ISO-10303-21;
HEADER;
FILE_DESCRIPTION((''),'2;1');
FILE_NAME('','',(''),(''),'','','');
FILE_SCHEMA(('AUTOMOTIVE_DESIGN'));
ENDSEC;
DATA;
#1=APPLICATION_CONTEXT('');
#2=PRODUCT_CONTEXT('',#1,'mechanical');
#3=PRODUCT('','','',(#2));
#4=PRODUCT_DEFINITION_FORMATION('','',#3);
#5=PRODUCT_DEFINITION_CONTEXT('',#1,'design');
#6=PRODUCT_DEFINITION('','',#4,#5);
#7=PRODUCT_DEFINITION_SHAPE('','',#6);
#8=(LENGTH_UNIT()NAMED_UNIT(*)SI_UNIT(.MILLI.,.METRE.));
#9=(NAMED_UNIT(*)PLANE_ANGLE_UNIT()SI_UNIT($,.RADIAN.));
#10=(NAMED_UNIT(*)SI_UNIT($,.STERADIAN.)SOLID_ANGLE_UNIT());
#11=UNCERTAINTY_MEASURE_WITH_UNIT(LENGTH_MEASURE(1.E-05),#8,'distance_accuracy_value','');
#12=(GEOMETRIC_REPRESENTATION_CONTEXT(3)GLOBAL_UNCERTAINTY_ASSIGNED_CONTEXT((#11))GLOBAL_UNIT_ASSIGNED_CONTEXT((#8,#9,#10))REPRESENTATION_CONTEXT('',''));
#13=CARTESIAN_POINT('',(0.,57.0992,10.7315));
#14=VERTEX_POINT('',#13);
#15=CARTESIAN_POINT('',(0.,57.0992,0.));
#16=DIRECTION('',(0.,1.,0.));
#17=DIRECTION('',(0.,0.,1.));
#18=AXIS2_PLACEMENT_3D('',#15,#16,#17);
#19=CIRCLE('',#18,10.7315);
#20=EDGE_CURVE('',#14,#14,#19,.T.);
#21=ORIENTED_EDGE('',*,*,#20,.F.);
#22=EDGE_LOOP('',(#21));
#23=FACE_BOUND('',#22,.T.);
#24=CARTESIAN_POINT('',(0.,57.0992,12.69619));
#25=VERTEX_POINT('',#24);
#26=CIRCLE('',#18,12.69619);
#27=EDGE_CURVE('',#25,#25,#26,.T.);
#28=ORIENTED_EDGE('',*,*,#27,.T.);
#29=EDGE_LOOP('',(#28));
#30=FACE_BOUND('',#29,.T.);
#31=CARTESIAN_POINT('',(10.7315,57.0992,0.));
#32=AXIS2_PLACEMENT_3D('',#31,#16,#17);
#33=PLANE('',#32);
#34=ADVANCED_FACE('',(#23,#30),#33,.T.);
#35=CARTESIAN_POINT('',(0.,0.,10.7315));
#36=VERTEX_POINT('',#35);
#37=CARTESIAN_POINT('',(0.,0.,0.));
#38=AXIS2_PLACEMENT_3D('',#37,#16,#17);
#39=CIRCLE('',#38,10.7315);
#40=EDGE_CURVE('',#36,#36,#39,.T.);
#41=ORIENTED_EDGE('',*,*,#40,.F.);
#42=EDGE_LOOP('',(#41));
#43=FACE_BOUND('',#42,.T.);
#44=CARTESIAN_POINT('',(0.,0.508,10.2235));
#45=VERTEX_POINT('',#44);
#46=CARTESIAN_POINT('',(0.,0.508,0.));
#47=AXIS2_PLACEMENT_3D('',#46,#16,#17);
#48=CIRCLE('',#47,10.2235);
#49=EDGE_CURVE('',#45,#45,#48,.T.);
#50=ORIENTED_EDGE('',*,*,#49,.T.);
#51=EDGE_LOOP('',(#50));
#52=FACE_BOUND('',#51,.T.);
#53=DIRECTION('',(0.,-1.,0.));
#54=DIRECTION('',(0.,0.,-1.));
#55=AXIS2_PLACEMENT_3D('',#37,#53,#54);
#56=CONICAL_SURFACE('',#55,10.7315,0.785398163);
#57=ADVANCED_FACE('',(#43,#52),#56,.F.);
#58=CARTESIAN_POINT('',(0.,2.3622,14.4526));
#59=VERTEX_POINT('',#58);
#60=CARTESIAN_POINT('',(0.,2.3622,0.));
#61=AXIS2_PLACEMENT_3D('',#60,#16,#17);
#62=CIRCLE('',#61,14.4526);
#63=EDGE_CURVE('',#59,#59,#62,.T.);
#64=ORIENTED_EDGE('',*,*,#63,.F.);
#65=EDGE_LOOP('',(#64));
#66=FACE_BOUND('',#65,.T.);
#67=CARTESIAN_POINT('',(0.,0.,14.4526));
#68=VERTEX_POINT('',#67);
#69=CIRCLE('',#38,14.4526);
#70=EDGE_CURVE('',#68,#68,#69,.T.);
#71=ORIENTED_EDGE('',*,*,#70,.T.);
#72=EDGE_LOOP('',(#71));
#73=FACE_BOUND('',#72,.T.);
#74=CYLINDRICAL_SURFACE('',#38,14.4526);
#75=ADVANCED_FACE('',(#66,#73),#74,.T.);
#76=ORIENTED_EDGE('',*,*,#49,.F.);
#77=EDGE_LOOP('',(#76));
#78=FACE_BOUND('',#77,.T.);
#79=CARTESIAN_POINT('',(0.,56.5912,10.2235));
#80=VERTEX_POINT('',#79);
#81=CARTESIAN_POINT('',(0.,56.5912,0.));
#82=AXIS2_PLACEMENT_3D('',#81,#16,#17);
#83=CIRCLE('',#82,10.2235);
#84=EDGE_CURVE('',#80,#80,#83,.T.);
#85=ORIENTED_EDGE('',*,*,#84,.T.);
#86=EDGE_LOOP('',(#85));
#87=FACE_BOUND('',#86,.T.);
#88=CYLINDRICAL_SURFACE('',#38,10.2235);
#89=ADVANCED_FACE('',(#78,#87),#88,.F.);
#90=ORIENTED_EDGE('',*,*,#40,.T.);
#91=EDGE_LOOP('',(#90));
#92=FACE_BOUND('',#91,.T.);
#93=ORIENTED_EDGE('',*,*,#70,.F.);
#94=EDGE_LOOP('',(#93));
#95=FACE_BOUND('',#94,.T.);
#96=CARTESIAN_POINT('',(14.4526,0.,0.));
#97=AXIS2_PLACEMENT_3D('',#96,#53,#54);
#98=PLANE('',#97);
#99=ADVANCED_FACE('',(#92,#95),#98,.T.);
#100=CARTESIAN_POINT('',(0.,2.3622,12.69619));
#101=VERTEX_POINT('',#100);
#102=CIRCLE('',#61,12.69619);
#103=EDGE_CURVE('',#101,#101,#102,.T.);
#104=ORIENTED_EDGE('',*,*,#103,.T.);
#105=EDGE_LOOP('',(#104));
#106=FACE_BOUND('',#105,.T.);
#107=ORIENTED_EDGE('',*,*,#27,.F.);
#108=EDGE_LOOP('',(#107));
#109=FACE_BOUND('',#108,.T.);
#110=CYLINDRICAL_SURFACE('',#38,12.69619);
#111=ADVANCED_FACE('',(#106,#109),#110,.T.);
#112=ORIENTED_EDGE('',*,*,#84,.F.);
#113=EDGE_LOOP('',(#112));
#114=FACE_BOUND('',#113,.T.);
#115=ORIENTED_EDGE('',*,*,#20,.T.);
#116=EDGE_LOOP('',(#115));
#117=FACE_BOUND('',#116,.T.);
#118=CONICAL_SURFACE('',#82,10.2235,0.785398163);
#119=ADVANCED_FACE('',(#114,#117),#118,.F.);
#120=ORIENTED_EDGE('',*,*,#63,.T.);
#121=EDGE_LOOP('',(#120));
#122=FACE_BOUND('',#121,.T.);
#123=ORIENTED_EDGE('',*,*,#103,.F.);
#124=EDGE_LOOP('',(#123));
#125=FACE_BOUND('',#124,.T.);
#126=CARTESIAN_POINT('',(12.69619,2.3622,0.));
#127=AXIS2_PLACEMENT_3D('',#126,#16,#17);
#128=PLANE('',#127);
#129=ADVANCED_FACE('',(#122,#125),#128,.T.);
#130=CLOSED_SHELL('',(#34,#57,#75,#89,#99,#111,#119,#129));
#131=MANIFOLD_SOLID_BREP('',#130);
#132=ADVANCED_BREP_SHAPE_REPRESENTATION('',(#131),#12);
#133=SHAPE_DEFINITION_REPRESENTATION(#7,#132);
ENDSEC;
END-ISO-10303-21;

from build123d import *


with BuildPart() as part:
    # Sketch1 → Revolve1 (revolve)
    with BuildSketch(Plane(origin=(0, 0, 0), x_dir=(-1, 0, 0), z_dir=(0, 0, -1)), mode=Mode.PRIVATE) as revolve1_sk:
        Polygon((-14.4526, 0), (-10.7315, 0), (-10.2235, 0.508), (-10.2235, 56.5912), (-10.7315, 57.0992), (-12.69619, 57.0992), (-12.69619, 2.3622), (-14.4526, 2.3622), align=None)
    revolve(revolve1_sk.sketch.rotate(Axis((0, 0, 0), (0, 1, 0)), 270), axis=Axis((0, 0, 0), (0, 1, 0)))


solid = part.part
